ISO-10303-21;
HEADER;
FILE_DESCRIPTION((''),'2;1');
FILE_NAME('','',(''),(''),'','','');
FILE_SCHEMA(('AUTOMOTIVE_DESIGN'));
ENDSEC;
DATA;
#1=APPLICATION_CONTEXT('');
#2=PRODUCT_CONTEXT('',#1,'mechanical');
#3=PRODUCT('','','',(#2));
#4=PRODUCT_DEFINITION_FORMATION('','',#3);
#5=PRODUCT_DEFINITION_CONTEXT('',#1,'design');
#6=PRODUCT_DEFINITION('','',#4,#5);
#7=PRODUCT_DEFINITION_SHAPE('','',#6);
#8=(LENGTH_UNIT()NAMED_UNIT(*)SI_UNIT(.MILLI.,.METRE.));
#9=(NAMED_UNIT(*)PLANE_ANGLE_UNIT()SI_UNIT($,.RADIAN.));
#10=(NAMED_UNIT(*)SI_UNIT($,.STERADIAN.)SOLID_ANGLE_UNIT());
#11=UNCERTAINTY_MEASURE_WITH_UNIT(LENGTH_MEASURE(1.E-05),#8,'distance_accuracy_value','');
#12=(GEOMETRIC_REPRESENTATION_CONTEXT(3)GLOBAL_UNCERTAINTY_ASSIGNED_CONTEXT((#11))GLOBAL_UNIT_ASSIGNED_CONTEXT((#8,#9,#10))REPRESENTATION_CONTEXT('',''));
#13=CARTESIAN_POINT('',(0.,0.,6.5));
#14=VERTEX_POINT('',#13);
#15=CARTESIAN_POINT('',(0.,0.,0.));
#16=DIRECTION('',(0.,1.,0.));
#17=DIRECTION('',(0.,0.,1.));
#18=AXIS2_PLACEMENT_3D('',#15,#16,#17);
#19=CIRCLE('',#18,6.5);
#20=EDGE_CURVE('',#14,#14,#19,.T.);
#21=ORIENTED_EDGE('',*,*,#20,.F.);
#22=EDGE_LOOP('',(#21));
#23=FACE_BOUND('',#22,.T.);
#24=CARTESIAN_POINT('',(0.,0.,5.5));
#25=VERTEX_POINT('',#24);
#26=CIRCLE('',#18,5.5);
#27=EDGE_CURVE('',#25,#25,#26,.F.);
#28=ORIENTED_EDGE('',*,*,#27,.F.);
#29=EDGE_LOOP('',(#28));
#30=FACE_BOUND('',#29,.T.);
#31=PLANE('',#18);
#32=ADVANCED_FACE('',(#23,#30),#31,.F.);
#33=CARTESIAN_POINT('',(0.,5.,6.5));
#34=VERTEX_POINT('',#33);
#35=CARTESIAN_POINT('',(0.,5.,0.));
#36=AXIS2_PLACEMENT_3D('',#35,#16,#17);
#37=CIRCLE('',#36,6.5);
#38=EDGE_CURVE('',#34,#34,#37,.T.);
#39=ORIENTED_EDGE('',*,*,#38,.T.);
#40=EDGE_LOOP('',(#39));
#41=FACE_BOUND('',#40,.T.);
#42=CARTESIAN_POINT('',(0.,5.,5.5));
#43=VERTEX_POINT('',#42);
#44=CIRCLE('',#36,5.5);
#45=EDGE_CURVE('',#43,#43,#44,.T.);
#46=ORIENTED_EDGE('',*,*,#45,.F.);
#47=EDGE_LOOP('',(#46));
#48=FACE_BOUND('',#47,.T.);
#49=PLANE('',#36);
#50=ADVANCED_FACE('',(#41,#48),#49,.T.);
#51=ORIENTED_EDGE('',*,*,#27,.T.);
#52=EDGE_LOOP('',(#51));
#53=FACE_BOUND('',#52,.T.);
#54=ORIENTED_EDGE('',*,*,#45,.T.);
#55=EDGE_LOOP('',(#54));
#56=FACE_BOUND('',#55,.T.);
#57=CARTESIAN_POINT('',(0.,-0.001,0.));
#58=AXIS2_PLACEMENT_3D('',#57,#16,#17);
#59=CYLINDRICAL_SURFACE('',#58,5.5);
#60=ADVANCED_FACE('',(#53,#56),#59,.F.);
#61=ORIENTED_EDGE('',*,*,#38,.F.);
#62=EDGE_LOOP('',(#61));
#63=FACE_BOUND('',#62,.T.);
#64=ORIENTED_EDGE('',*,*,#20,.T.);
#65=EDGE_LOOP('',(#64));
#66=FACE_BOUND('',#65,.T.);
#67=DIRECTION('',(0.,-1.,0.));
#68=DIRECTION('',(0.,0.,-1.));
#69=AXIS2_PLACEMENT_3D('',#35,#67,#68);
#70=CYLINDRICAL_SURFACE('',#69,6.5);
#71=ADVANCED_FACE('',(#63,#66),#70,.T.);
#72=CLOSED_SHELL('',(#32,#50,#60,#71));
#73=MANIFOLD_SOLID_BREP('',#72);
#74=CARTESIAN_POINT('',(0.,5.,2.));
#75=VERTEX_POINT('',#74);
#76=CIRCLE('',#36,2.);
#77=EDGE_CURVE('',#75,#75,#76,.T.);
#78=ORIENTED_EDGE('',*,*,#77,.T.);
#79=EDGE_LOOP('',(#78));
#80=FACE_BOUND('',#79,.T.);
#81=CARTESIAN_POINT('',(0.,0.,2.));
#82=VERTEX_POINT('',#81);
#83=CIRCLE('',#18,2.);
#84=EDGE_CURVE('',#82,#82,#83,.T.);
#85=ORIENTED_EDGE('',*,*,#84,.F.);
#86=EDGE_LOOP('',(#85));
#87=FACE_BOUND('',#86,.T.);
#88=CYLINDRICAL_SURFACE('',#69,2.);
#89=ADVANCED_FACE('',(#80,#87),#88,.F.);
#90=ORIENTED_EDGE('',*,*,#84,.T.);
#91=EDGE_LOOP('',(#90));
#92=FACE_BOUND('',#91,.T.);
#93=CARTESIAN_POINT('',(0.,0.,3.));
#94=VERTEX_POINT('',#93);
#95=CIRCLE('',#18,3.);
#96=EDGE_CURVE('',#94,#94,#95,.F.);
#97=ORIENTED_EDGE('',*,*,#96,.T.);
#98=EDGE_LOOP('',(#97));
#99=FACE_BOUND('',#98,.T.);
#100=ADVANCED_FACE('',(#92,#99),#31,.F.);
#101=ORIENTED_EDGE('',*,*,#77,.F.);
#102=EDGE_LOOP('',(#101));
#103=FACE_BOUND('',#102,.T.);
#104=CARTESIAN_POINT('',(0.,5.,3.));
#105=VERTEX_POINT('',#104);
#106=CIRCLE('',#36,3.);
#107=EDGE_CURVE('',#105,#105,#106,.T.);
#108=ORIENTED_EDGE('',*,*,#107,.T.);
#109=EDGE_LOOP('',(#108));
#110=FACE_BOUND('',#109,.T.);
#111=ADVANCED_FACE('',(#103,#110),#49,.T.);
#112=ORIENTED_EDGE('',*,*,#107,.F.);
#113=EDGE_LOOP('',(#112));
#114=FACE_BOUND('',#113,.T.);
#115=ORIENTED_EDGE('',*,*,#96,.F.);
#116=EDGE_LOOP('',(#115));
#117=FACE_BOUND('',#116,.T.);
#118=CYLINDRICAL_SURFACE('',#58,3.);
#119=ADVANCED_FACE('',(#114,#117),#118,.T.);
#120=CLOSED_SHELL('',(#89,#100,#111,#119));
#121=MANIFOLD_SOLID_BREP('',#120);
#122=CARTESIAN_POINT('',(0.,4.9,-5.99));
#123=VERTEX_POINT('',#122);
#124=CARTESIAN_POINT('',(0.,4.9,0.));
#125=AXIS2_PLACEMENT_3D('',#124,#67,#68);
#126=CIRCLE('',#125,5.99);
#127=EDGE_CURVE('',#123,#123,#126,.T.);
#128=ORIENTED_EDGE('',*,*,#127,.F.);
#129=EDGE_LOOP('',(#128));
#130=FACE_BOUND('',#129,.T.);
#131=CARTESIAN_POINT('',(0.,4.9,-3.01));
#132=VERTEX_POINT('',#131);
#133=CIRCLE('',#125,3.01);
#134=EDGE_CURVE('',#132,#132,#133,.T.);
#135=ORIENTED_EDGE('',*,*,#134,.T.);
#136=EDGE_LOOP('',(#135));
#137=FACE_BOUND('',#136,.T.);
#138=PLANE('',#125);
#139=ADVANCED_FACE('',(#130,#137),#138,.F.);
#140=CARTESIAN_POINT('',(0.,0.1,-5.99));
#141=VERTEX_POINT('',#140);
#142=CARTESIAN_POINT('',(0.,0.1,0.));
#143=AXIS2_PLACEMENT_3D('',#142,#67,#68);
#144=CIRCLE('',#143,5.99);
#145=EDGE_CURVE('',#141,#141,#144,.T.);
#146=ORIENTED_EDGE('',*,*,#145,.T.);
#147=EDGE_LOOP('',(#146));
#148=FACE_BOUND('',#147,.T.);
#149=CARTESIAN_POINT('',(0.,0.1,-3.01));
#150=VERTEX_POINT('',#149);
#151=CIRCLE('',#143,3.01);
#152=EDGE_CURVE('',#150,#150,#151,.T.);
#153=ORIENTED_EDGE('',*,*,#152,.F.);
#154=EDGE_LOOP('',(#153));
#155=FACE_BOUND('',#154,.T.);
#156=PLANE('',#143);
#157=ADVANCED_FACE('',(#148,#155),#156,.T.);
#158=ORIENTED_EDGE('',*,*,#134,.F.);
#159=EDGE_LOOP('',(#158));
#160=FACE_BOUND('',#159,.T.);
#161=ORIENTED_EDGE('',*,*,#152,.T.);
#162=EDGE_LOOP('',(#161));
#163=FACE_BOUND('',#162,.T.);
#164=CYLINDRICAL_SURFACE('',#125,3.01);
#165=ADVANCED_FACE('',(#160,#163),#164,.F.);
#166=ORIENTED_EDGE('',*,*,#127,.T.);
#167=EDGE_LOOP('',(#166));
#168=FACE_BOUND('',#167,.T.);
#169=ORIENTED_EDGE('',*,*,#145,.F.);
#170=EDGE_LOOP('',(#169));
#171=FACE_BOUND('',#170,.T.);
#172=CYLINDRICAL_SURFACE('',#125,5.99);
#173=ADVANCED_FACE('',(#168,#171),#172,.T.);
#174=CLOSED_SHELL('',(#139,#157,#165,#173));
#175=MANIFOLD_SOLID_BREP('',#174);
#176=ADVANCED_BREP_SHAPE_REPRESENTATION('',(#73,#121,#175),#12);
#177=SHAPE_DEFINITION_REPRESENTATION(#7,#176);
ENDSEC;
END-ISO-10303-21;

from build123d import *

# Parameters (mm, degrees)
SKETCH1_R           = 6.5
SKETCH1_R_2         = 2
BOSS_EXTRUDE1_DEPTH = 5
CUT_EXTRUDE1_REACH  = 12.464
SKETCH2_R           = 5.5
SKETCH2_R_2         = 3
BOSS_EXTRUDE2_START = -0.1
SKETCH4_R           = 5.99
SKETCH4_R_2         = 3.01
BOSS_EXTRUDE2_DEPTH = 4.8


with BuildPart() as part:
    # Sketch1 → Boss-Extrude1 (new body)
    with BuildSketch(Plane(origin=(0, 0, 0), x_dir=(1, 0, 0), z_dir=(0, 1, 0))):
        with Locations(Location((0, 0, 0), (0, 0, 270))):
            Circle(SKETCH1_R)
        with Locations(Location((0, 0, 0), (0, 0, 270))):
            Circle(SKETCH1_R_2, mode=Mode.SUBTRACT)
    extrude(amount=BOSS_EXTRUDE1_DEPTH)

    # Sketch2 → Cut-Extrude1 (cut, up to next)
    with BuildSketch(Plane(origin=(0, 5, 0), x_dir=(1, 0, 0), z_dir=(0, 1, 0)), mode=Mode.PRIVATE) as cut_extrude1_sk1:
        with Locations(Location((0, 0, 0), (0, 0, 270))):
            Circle(SKETCH2_R)
        with Locations(Location((0, 0, 0), (0, 0, 270))):
            Circle(SKETCH2_R_2, mode=Mode.SUBTRACT)
    cut_extrude1_tool1 = extrude(cut_extrude1_sk1.sketch, amount=-CUT_EXTRUDE1_REACH, mode=Mode.PRIVATE) & part.part
    add(cut_extrude1_tool1.solids().sort_by_distance((0, 5, -5.344437))[0], mode=Mode.SUBTRACT)


with BuildPart() as cut_extrude1_piece_1:
    # of the separate pieces the step leaves, piece 1, a body of its own (cut_extrude1_pieces)
    add(part.part.solids().sort_by_distance((0, 0, 6.5))[0])


with BuildPart() as cut_extrude1_piece_2:
    # of the separate pieces the step leaves, piece 2, a body of its own (cut_extrude1_pieces)
    add(part.part.solids().sort_by_distance((0, 0, 3))[0])


with BuildPart() as body_3:
    # Sketch4 → Boss-Extrude2 (new body)
    with BuildSketch(Plane.XZ.offset(BOSS_EXTRUDE2_START)):
        with Locations(Location((0, 0, 0), (0, 0, 270))):
            Circle(SKETCH4_R)
        with Locations(Location((0, 0, 0), (0, 0, 270))):
            Circle(SKETCH4_R_2, mode=Mode.SUBTRACT)
    extrude(amount=-BOSS_EXTRUDE2_DEPTH)


solid = Compound([cut_extrude1_piece_1.part, cut_extrude1_piece_2.part, body_3.part])
